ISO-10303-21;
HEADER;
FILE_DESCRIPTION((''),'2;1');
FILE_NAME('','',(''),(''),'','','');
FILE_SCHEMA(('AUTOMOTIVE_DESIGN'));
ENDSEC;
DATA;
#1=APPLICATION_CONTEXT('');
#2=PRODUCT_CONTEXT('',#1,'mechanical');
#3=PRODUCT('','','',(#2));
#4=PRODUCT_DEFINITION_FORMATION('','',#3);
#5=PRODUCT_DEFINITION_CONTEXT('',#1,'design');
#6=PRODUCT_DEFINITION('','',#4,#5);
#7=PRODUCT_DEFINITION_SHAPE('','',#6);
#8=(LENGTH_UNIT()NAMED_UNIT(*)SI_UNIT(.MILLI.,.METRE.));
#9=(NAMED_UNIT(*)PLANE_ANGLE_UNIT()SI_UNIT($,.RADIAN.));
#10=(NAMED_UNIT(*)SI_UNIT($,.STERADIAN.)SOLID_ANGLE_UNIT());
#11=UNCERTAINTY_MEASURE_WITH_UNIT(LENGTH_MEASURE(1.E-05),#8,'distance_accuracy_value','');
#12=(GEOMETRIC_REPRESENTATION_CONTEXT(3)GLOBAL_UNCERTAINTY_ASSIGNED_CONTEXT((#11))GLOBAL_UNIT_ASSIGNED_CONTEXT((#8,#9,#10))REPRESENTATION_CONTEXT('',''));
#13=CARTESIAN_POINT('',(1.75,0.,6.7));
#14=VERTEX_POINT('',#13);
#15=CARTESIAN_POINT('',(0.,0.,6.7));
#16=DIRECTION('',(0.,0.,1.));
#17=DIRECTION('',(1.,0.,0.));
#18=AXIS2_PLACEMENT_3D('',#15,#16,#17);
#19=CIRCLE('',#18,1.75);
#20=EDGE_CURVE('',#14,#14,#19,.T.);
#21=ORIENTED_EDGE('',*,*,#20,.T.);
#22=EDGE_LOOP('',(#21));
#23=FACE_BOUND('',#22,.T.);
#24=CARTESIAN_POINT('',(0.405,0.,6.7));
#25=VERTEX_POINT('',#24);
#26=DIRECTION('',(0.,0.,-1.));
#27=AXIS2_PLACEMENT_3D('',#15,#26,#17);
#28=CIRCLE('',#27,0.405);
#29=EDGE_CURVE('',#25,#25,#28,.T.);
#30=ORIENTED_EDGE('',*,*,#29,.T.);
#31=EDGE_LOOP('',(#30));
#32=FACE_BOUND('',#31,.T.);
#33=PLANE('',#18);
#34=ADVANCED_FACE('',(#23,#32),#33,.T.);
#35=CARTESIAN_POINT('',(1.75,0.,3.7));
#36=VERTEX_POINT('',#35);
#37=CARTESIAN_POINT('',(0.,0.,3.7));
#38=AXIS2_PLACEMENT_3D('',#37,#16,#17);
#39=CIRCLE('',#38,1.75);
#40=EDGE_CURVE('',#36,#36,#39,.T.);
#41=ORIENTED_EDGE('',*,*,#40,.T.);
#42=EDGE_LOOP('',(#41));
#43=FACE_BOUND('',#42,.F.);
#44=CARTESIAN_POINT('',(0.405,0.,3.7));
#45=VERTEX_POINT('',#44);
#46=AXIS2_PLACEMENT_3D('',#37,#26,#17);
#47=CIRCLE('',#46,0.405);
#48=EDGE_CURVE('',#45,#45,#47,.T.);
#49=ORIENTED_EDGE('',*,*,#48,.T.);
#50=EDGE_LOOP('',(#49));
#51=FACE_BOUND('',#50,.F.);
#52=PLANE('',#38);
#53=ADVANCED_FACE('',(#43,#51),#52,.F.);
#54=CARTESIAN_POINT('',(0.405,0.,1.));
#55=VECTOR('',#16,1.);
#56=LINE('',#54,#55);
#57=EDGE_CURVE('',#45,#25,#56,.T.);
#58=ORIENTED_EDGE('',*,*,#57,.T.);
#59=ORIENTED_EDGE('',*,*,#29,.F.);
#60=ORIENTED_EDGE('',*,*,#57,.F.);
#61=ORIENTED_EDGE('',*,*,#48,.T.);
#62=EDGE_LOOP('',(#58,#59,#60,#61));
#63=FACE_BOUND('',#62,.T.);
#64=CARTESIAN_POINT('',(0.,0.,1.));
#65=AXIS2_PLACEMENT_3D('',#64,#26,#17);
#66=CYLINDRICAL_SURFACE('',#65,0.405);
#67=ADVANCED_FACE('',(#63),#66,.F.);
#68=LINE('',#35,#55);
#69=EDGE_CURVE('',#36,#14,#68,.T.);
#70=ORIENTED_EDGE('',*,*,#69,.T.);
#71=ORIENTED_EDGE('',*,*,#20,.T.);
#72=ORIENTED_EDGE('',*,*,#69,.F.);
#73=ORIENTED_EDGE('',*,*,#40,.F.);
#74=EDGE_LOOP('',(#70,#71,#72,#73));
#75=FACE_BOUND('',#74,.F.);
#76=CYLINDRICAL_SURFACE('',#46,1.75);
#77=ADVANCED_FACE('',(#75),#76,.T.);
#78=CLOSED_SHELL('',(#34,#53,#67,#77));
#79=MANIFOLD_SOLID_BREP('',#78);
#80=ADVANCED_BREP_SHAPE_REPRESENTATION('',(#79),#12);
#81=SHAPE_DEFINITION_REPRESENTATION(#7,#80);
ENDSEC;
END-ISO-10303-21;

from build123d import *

# Parameters (mm, degrees)
CYLINDER159_R     = 0.405
CYLINDER159_DEPTH = 17
CYLINDER149_R     = 1.75
CYLINDER149_DEPTH = 3


with BuildPart() as ftbeadhole:
    # Cylinder159 → Cylinder159 (new body)
    with BuildSketch(Plane.XY):
        Circle(CYLINDER159_R)
    extrude(amount=CYLINDER159_DEPTH)


with BuildPart() as cut020:
    # Cylinder149 → Cylinder149 (new body)
    with BuildSketch(Plane.XY.offset(2.7)):
        Circle(CYLINDER149_R)
    extrude(amount=CYLINDER149_DEPTH)

    # Cut020: cut FTBeadHole
    add(ftbeadhole.part, mode=Mode.SUBTRACT)


with BuildPart() as cut020_1:
    # Cut020 placement: moved
    add(cut020.part.moved(Location((0, 0, 1))))


solid = cut020_1.part
